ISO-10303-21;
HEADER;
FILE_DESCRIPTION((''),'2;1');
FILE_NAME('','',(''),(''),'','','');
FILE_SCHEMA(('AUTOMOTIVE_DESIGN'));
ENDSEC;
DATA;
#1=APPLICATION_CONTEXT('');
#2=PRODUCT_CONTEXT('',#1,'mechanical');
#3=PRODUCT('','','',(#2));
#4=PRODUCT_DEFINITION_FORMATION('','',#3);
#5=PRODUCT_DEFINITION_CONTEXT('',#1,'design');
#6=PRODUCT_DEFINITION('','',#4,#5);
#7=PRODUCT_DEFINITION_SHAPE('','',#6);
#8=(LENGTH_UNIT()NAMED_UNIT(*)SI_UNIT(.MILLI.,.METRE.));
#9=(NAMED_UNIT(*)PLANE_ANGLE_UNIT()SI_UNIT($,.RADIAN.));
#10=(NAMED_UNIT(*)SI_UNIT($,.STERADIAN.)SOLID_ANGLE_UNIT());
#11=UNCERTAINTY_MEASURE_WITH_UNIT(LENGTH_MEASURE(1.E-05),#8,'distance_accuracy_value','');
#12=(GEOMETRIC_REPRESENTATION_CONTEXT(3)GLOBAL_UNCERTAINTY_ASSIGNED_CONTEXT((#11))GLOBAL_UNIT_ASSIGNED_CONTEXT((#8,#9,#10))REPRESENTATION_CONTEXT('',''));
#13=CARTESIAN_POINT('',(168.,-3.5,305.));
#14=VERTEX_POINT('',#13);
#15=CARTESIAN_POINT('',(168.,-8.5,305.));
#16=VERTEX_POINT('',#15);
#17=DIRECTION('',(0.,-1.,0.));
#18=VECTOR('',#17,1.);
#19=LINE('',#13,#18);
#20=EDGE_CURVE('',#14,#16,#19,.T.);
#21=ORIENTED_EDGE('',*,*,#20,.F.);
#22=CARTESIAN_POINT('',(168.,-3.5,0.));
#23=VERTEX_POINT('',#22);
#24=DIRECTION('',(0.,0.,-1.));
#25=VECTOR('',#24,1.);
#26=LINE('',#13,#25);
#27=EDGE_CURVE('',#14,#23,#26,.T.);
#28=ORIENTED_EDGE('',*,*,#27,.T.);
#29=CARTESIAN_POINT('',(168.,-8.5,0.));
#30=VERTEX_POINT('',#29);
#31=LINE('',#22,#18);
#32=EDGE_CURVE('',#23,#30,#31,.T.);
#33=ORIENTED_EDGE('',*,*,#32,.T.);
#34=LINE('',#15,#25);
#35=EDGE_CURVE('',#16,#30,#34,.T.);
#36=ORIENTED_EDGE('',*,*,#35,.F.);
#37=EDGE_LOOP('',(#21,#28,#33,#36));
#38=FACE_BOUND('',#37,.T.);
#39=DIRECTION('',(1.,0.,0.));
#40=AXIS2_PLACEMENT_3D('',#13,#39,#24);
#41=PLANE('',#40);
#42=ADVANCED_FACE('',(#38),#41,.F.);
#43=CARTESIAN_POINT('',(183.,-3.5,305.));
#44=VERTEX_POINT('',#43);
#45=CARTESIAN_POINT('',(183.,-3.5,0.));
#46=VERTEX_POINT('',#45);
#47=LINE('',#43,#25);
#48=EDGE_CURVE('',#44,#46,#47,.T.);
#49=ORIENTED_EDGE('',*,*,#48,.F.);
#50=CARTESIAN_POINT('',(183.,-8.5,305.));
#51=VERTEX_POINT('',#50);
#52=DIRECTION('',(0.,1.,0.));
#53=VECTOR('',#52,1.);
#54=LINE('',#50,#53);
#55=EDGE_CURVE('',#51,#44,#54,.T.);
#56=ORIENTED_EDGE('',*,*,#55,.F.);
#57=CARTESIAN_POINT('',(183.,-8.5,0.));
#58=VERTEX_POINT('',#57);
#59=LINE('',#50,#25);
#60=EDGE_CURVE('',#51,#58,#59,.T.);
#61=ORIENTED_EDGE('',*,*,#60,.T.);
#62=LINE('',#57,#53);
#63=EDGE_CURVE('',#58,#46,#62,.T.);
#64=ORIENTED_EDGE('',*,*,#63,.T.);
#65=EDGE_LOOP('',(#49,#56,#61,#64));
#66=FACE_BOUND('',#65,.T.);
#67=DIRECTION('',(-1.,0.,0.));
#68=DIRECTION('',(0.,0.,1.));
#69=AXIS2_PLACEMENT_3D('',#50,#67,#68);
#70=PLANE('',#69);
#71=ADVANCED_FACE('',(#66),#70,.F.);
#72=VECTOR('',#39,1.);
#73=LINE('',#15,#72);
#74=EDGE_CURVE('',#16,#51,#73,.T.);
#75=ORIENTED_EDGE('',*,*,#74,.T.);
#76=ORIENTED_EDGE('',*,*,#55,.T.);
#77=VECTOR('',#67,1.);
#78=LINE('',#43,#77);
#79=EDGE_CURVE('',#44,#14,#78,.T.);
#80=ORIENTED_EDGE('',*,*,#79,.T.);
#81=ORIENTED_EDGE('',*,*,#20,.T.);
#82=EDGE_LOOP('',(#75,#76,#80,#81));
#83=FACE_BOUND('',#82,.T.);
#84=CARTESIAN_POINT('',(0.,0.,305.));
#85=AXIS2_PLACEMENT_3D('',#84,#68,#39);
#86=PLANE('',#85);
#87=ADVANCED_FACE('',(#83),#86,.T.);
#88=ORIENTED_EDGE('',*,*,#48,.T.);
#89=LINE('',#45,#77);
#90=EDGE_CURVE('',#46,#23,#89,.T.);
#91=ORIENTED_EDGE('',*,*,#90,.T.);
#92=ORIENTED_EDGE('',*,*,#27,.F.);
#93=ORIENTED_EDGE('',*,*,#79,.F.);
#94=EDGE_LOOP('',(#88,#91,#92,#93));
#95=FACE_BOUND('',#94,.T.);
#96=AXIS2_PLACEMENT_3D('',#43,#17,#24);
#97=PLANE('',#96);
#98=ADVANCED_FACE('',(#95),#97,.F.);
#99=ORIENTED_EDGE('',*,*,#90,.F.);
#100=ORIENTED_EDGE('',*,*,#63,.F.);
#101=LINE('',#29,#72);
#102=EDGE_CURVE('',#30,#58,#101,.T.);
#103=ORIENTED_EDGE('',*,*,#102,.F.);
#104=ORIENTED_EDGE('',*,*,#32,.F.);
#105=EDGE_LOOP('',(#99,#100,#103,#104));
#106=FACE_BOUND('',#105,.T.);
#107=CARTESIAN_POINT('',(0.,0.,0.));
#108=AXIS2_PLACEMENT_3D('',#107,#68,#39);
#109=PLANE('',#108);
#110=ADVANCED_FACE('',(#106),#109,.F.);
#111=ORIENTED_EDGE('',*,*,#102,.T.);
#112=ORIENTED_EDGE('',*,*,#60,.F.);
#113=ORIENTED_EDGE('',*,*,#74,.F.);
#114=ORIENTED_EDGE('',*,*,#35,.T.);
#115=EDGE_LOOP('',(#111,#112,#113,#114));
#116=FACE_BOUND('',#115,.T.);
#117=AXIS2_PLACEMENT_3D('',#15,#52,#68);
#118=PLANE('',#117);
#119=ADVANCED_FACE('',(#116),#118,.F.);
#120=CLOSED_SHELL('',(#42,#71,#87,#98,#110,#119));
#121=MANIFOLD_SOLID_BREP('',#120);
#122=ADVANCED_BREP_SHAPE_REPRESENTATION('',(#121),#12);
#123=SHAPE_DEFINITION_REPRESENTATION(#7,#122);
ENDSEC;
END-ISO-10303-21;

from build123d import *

# Parameters (mm, degrees)
ESBO_O2_W                = 15
ESBO_O2_H                = 5
RESSALTO_EXTRUS_O1_DEPTH = 305


with BuildPart() as part:
    # Esboço2 → Ressalto-extrusão1 (new body)
    with BuildSketch(Plane.XY):
        with Locations((175.5, -6)):
            Rectangle(ESBO_O2_W, ESBO_O2_H)
    extrude(amount=RESSALTO_EXTRUS_O1_DEPTH)


solid = part.part
